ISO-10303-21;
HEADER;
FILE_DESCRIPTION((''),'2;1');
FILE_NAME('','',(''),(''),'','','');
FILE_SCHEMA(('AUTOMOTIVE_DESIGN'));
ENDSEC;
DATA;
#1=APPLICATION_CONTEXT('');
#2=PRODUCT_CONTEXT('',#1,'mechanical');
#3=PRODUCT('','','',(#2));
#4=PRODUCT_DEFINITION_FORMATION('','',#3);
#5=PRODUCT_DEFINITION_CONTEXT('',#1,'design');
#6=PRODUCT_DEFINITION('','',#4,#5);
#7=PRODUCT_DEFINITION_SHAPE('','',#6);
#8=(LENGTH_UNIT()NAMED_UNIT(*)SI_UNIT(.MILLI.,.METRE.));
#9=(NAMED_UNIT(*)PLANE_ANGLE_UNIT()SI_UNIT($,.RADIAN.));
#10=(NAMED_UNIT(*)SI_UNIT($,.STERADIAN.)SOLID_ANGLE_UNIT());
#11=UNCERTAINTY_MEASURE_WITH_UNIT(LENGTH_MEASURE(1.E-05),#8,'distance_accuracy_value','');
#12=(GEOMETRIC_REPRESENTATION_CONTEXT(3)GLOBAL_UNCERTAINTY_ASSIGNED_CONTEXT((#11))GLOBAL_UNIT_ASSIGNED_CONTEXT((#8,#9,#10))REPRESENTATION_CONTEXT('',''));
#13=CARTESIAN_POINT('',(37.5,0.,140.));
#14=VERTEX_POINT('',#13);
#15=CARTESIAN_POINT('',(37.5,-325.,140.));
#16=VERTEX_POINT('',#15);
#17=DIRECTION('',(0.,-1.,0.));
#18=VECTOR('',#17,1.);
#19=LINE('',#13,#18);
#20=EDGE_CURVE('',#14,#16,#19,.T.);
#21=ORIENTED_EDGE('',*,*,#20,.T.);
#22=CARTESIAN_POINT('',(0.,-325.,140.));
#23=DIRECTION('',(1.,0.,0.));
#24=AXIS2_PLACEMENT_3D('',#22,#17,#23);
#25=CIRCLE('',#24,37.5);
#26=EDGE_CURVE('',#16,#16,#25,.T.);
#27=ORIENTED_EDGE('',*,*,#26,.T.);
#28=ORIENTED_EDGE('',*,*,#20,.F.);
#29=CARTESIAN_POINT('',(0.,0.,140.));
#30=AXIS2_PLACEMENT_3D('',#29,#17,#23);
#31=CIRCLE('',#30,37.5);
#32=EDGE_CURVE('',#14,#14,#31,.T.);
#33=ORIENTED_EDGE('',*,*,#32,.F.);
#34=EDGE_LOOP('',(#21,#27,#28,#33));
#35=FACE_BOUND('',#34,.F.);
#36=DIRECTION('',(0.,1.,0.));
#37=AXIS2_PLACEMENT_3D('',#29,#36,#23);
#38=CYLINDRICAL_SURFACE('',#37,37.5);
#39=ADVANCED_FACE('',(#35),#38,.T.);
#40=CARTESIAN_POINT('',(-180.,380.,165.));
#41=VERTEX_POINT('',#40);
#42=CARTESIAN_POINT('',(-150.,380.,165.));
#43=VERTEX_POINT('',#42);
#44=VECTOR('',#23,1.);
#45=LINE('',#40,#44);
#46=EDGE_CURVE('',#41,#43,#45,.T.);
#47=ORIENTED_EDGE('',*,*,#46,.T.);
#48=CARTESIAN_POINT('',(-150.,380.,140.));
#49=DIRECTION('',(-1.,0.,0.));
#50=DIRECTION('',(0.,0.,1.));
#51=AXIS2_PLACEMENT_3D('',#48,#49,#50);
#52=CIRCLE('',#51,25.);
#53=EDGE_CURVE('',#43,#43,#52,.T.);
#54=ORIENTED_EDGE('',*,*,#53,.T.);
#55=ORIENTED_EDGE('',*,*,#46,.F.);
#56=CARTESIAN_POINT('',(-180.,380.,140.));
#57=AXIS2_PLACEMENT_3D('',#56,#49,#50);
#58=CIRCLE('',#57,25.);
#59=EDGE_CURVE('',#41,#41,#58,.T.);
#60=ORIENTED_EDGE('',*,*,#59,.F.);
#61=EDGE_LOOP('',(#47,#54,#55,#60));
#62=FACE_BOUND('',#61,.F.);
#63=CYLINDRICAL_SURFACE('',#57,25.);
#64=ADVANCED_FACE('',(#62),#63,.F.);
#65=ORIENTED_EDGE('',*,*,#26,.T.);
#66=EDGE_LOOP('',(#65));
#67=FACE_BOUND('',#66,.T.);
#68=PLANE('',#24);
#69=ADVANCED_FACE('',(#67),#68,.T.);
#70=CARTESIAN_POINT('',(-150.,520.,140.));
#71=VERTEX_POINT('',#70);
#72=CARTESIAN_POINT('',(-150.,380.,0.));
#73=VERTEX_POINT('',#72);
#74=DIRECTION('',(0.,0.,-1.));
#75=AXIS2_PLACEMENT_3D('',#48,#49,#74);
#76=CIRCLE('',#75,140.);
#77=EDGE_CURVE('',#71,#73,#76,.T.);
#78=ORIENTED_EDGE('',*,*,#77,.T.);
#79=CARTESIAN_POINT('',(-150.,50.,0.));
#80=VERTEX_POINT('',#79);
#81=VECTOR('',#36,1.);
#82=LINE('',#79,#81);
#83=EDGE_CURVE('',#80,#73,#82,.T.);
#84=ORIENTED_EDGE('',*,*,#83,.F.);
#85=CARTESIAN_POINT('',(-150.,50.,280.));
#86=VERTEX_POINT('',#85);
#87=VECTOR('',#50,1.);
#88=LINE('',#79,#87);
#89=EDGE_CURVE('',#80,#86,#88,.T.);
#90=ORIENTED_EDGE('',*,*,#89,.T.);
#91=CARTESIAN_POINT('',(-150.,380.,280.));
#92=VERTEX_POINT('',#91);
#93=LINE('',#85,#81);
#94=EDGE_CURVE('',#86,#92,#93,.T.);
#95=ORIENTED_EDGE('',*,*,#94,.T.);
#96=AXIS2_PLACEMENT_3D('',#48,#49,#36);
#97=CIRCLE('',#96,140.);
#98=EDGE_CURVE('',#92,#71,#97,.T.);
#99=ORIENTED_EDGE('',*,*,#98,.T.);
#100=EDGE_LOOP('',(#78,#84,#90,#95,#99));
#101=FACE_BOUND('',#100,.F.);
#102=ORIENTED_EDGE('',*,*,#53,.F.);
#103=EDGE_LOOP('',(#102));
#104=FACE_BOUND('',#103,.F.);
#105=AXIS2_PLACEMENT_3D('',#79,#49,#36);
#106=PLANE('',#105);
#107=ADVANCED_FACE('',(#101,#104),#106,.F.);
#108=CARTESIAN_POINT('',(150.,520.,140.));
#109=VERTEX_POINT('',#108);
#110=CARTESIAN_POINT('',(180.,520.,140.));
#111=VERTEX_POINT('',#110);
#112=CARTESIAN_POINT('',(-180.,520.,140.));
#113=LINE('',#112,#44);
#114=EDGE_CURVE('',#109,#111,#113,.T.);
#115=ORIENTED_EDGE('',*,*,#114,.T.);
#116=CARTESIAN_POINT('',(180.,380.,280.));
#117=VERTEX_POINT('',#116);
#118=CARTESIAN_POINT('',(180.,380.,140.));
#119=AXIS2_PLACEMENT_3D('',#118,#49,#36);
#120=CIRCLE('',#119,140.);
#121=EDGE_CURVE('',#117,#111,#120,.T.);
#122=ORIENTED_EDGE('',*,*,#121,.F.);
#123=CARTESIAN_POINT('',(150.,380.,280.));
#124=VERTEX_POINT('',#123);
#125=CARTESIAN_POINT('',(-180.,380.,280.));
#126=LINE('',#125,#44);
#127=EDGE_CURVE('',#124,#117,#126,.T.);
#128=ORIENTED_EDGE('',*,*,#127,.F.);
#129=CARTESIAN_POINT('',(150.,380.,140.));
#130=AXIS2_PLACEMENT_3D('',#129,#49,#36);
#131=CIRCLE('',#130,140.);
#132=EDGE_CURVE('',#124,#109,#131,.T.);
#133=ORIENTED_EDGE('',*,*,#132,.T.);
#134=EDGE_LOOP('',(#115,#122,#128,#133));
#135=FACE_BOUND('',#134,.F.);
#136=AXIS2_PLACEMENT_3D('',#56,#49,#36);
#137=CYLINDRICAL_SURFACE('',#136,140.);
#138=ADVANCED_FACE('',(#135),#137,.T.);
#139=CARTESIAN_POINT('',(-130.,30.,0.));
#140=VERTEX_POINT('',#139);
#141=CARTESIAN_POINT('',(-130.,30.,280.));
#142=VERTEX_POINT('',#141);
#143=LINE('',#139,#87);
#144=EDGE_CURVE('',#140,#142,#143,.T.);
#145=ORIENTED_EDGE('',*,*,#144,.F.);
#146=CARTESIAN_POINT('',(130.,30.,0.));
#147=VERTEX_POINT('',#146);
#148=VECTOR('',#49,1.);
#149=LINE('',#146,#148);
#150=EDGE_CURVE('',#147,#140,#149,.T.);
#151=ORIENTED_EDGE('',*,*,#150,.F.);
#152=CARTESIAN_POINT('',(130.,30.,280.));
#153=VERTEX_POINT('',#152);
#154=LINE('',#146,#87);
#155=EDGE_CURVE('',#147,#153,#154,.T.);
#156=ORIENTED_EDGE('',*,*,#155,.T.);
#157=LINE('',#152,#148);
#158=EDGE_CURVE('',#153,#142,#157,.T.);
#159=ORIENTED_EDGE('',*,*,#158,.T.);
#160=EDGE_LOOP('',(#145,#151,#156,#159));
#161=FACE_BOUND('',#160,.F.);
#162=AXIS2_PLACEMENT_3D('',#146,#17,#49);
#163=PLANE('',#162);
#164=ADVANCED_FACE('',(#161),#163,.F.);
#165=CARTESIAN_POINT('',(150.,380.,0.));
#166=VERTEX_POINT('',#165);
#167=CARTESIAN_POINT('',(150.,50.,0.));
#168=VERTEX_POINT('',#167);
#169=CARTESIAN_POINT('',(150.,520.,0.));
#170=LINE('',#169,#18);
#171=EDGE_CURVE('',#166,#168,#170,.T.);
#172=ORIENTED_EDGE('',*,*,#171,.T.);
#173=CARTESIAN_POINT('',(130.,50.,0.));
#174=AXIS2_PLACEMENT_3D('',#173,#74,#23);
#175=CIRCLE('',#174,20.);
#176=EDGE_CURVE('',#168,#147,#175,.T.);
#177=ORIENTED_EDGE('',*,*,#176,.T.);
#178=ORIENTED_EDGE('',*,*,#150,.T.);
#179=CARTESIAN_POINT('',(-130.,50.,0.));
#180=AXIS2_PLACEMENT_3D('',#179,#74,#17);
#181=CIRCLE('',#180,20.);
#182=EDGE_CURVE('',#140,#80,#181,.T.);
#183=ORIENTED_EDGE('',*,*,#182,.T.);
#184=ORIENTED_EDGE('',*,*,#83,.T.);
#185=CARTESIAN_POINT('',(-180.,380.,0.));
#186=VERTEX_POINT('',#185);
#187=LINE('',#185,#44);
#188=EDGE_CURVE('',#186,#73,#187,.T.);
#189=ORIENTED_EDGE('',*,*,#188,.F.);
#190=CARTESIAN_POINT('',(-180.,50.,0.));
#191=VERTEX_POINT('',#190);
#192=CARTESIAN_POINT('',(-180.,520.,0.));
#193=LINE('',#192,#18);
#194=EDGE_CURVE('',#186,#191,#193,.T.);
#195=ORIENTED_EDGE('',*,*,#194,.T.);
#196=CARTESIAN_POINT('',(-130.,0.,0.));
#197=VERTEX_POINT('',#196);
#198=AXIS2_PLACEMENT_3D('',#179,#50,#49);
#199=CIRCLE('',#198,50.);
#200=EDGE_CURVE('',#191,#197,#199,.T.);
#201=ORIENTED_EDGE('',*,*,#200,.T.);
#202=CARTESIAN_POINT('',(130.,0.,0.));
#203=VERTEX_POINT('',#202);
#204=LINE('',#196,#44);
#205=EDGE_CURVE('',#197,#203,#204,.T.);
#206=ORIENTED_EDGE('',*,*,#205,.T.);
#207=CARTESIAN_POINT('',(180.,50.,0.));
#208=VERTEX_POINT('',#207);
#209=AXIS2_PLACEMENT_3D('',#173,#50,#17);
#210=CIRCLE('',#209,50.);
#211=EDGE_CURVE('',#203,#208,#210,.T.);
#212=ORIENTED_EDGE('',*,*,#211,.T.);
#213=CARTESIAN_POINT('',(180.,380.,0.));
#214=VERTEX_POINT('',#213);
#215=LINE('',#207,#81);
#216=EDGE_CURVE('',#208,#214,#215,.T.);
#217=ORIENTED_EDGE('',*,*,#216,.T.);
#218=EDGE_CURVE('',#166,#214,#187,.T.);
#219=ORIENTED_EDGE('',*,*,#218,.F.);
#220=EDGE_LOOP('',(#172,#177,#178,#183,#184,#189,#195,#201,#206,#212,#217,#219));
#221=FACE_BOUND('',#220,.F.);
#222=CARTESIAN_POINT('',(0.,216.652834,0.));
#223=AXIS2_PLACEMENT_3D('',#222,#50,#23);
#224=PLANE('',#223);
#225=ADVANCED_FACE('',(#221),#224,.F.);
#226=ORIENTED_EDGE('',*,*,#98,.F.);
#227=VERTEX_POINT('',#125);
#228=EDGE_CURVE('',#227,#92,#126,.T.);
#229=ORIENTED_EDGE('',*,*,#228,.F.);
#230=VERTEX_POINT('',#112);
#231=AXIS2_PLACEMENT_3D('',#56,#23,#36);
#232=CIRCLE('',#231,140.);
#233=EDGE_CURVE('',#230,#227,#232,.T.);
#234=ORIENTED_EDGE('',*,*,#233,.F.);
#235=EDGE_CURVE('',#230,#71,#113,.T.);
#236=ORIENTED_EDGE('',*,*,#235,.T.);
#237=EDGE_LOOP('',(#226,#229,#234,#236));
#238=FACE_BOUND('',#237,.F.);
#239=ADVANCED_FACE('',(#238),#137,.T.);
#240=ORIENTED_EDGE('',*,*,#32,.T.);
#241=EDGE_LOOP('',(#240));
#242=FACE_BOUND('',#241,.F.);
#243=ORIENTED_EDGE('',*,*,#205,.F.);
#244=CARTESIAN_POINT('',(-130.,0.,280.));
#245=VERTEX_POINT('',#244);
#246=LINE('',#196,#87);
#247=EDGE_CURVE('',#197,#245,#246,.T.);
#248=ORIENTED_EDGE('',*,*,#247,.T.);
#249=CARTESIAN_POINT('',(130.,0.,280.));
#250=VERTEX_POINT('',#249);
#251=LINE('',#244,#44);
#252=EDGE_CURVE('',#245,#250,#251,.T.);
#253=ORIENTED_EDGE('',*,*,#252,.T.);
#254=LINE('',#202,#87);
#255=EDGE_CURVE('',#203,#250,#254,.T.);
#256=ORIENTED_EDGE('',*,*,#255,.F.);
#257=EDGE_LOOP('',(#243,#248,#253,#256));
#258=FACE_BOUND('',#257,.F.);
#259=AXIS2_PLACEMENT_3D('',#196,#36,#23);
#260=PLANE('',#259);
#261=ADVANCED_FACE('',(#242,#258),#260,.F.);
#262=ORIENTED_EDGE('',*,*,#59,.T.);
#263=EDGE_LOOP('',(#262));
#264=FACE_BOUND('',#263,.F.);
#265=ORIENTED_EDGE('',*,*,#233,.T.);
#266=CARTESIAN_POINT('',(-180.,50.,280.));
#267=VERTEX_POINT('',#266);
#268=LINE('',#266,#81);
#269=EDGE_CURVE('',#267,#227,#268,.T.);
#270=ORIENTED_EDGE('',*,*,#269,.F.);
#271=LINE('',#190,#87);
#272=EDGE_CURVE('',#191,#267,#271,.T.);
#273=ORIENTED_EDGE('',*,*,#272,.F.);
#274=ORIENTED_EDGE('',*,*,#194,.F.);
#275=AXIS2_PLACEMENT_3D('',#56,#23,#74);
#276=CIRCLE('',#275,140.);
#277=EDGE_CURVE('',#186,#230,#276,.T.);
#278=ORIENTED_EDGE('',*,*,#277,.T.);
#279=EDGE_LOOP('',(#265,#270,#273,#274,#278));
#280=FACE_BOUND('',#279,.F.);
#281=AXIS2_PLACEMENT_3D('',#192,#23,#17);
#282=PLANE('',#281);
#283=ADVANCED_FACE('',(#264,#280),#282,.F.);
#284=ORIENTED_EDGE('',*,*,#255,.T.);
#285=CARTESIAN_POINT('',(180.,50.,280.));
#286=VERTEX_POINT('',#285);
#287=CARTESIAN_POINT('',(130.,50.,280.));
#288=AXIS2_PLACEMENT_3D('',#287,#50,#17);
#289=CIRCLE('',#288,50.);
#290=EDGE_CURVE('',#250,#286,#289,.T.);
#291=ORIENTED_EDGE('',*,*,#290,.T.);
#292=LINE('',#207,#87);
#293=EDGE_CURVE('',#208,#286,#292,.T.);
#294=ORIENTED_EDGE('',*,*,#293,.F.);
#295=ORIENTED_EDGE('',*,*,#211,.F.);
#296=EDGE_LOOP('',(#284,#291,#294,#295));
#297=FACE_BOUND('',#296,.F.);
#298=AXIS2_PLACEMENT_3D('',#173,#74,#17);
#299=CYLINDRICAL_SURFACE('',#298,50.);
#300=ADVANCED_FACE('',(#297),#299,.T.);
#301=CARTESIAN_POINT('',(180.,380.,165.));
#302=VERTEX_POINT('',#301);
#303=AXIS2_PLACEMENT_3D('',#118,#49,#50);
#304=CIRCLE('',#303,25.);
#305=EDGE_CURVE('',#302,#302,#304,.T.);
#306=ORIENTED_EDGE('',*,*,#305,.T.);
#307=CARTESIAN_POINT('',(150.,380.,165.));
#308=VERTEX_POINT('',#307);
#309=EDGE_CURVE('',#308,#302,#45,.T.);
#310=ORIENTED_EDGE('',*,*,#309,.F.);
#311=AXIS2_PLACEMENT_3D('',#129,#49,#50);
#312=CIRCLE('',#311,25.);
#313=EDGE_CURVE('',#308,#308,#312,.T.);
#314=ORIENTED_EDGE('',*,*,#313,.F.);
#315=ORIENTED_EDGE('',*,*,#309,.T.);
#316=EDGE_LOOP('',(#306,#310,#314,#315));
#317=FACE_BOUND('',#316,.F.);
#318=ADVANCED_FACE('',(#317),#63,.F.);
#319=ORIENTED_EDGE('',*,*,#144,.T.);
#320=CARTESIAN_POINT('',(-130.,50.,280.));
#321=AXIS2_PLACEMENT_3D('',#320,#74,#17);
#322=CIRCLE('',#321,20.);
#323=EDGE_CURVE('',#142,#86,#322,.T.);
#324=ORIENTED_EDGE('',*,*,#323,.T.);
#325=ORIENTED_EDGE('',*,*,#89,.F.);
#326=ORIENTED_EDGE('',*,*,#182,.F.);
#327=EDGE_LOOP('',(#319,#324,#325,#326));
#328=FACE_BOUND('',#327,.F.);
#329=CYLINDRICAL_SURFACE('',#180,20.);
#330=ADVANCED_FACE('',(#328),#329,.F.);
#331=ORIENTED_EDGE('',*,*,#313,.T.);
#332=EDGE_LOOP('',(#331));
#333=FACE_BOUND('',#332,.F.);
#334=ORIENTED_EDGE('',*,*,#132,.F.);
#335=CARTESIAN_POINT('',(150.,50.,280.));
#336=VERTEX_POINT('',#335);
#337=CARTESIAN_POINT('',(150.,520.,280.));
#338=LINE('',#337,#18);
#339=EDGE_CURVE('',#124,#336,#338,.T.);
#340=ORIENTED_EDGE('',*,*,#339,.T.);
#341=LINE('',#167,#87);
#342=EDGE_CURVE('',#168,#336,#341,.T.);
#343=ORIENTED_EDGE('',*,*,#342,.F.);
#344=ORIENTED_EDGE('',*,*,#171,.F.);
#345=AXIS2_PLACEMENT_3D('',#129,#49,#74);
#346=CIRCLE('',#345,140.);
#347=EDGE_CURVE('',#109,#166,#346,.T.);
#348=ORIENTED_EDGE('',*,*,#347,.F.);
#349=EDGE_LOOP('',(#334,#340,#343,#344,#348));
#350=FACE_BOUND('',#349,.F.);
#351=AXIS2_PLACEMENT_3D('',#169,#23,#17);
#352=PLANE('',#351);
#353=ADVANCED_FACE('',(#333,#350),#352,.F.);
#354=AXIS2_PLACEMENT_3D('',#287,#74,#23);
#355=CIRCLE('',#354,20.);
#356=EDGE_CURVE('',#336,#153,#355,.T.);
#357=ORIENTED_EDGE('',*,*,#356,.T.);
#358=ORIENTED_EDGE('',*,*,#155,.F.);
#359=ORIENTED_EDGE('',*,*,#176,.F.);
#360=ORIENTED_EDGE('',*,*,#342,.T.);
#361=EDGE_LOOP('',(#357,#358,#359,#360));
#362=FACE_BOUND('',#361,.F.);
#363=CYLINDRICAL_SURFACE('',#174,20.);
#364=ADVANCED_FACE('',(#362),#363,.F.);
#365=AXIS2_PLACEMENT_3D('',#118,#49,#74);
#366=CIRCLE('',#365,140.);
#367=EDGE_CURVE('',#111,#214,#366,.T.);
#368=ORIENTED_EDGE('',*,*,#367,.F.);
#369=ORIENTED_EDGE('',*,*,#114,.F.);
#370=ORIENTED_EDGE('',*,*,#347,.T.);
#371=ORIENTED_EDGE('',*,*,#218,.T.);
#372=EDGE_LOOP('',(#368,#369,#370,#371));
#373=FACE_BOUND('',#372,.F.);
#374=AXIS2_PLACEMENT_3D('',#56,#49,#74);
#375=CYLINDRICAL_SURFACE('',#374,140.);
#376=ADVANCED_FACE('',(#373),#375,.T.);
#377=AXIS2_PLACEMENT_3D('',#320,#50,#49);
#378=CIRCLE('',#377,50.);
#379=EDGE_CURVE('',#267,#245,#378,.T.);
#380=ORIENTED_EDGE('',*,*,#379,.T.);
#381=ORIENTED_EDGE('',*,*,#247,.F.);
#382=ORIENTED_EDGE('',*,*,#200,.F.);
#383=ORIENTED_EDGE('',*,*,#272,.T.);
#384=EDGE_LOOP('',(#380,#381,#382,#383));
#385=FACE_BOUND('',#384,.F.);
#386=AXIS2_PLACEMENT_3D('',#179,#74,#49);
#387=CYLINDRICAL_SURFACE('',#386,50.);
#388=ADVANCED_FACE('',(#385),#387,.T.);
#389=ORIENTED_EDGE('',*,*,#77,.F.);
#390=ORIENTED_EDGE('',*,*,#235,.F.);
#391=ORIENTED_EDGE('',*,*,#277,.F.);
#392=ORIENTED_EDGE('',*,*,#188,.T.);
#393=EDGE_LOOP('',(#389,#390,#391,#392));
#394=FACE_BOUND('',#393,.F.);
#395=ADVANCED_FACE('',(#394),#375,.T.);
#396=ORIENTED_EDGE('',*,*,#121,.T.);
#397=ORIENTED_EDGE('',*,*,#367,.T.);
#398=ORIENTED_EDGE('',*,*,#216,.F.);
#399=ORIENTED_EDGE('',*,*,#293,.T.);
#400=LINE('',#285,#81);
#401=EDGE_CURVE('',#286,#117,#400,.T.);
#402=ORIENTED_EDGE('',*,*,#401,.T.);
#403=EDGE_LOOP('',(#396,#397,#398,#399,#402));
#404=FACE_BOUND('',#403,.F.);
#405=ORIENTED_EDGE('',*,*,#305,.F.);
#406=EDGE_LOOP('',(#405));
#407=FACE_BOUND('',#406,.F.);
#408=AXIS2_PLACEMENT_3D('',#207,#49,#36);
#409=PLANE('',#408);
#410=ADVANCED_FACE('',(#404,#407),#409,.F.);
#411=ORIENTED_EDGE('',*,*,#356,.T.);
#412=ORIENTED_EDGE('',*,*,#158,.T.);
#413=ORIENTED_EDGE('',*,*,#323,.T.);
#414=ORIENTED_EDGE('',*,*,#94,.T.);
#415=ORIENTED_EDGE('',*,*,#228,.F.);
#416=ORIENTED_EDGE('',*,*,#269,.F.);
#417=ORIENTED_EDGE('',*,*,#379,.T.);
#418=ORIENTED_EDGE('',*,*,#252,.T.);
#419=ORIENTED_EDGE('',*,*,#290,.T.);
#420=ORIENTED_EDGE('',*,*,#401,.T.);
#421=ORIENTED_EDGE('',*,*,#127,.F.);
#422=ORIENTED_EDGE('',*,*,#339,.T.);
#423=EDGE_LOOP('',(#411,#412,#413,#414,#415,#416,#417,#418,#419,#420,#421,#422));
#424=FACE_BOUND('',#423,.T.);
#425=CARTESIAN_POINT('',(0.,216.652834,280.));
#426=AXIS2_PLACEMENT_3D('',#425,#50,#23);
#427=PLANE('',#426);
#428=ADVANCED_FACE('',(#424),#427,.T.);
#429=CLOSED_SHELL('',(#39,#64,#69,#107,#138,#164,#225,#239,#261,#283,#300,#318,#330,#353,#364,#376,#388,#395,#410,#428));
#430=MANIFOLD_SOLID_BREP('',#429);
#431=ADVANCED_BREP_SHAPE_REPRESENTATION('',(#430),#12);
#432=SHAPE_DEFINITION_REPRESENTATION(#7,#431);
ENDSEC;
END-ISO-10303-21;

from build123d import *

# Parameters (mm, degrees)
BOSS_EXTRUDE1_DEPTH     = 280
SKETCH2_R               = 25
CUT_EXTRUDE3_DEPTH      = 1
CUT_EXTRUDE3_DEPTH_BACK = 399
SKETCH4_R               = 37.5
BOSS_EXTRUDE2_DEPTH     = 325


with BuildPart() as part:
    # Sketch1 → Boss-Extrude1 (new body)
    with BuildSketch(Plane.XY):
        with BuildLine():
            Line((-130, 0), (130, 0))
            ThreePointArc((130, 0), (165.355339059, 14.644660941), (180, 50))
            Line((180, 50), (180, 520))
            Line((180, 520), (150, 520))
            Line((150, 520), (150, 50))
            ThreePointArc((150, 50), (144.142135624, 35.857864376), (130, 30))
            Line((130, 30), (-130, 30))
            ThreePointArc((-130, 30), (-144.142135624, 35.857864376), (-150, 50))
            Line((-150, 50), (-150, 520))
            Line((-150, 520), (-180, 520))
            Line((-180, 520), (-180, 50))
            ThreePointArc((-180, 50), (-165.355339059, 14.644660941), (-130, 0))
        make_face()
    extrude(amount=BOSS_EXTRUDE1_DEPTH)

    # Sketch2 → Cut-Extrude3 (cut, two sides)
    with BuildSketch(Plane.ZY.offset(180)) as cut_extrude3_sk:
        with BuildLine():
            Line((280, 520), (140, 520))
            ThreePointArc((140, 520), (238.994949366, 478.994949366), (280, 380))
            Line((280, 380), (280, 520))
        make_face()
        with BuildLine():
            Line((0, 520), (0, 380))
            ThreePointArc((0, 380), (41.005050634, 478.994949366), (140, 520))
            Line((140, 520), (0, 520))
        make_face()
        with Locations((140, 380)):
            Circle(SKETCH2_R)
    extrude(amount=CUT_EXTRUDE3_DEPTH, mode=Mode.SUBTRACT)
    extrude(cut_extrude3_sk.sketch, amount=-CUT_EXTRUDE3_DEPTH_BACK, mode=Mode.SUBTRACT)

    # Sketch4 → Boss-Extrude2 (add)
    with BuildSketch(Plane.XZ):
        with Locations((0, 140)):
            Circle(SKETCH4_R)
    extrude(amount=BOSS_EXTRUDE2_DEPTH)


solid = part.part
